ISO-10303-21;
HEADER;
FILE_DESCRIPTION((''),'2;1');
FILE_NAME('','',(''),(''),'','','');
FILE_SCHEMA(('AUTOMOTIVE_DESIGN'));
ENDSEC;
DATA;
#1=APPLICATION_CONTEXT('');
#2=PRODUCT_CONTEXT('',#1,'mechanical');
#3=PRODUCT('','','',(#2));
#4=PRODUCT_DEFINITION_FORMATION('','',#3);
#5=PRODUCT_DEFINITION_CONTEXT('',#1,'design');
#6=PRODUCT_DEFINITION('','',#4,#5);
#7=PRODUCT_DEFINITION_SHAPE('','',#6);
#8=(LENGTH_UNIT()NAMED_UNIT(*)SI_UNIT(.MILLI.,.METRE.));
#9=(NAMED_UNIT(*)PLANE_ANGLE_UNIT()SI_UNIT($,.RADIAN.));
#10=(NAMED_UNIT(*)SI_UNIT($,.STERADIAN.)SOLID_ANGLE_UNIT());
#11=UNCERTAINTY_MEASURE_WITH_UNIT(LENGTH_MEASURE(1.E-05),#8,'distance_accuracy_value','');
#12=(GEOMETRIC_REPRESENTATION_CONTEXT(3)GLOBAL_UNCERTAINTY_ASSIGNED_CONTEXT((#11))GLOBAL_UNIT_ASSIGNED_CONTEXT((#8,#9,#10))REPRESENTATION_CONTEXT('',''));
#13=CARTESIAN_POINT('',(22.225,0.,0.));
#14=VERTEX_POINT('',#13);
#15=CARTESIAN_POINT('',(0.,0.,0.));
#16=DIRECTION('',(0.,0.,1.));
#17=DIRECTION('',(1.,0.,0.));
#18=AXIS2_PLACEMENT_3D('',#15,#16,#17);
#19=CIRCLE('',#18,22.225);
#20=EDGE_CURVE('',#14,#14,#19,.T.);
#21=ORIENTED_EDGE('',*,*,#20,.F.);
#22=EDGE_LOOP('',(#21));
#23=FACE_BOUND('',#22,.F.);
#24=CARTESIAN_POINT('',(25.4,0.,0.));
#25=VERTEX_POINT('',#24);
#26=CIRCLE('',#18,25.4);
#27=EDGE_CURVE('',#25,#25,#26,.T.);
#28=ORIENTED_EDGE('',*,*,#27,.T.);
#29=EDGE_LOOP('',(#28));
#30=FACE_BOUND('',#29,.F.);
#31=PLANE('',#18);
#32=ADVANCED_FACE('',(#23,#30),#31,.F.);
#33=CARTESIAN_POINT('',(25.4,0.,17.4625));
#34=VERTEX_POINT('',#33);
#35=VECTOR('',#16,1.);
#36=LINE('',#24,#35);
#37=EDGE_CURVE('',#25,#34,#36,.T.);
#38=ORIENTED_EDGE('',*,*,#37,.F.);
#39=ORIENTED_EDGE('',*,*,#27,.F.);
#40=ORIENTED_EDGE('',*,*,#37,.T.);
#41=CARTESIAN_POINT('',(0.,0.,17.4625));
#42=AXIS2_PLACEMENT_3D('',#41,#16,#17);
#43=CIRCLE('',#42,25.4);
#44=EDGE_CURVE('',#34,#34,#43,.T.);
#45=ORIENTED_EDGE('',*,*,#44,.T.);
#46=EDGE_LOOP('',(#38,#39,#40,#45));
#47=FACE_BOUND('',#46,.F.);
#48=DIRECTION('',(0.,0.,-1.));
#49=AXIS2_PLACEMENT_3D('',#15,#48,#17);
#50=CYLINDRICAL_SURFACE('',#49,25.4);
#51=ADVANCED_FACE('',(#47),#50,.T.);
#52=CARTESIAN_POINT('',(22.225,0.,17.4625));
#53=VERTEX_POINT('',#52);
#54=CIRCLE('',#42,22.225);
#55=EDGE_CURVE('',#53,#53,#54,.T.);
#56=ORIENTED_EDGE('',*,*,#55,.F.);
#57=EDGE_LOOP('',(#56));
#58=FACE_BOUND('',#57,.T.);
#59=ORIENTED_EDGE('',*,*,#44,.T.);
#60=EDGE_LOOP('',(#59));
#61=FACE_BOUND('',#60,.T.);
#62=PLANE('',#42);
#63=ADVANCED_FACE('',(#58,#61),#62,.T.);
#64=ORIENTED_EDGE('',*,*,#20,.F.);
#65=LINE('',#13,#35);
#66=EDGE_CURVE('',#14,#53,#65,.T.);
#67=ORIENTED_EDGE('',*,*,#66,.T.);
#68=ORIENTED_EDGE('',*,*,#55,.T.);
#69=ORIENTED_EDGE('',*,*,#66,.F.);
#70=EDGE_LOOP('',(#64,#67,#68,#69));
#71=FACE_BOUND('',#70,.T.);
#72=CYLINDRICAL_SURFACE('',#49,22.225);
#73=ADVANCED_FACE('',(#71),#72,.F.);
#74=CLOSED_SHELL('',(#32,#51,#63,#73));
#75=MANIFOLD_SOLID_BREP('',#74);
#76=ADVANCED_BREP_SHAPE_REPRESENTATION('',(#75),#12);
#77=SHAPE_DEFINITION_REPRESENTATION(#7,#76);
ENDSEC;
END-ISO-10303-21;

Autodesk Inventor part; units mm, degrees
ref_plane "YZ Plane" through (0, 0, 0) normal (1, 0, 0) x (0, 1, 0)
ref_plane "XZ Plane" through (0, 0, 0) normal (0, 1, 0) x (-1, 0, 0)
ref_plane "XY Plane" through (0, 0, 0) normal (0, 0, 1) x (1, 0, 0)
sketch "Sketch1" plane through (0, 0, 0) normal (0, 0, 1) x (1, 0, 0)
  circle A0 centre (0, 0) radius 22.225
  circle A1 centre (0, 0) radius 25.4
  dimension "d0" = 44.45
  dimension "d1" = 50.8
extrude "Extrusion1" add sketch "Sketch1" along normal blind 17.4625
properties part number "lower die 2 spacer" material "Aluminum 6061"
